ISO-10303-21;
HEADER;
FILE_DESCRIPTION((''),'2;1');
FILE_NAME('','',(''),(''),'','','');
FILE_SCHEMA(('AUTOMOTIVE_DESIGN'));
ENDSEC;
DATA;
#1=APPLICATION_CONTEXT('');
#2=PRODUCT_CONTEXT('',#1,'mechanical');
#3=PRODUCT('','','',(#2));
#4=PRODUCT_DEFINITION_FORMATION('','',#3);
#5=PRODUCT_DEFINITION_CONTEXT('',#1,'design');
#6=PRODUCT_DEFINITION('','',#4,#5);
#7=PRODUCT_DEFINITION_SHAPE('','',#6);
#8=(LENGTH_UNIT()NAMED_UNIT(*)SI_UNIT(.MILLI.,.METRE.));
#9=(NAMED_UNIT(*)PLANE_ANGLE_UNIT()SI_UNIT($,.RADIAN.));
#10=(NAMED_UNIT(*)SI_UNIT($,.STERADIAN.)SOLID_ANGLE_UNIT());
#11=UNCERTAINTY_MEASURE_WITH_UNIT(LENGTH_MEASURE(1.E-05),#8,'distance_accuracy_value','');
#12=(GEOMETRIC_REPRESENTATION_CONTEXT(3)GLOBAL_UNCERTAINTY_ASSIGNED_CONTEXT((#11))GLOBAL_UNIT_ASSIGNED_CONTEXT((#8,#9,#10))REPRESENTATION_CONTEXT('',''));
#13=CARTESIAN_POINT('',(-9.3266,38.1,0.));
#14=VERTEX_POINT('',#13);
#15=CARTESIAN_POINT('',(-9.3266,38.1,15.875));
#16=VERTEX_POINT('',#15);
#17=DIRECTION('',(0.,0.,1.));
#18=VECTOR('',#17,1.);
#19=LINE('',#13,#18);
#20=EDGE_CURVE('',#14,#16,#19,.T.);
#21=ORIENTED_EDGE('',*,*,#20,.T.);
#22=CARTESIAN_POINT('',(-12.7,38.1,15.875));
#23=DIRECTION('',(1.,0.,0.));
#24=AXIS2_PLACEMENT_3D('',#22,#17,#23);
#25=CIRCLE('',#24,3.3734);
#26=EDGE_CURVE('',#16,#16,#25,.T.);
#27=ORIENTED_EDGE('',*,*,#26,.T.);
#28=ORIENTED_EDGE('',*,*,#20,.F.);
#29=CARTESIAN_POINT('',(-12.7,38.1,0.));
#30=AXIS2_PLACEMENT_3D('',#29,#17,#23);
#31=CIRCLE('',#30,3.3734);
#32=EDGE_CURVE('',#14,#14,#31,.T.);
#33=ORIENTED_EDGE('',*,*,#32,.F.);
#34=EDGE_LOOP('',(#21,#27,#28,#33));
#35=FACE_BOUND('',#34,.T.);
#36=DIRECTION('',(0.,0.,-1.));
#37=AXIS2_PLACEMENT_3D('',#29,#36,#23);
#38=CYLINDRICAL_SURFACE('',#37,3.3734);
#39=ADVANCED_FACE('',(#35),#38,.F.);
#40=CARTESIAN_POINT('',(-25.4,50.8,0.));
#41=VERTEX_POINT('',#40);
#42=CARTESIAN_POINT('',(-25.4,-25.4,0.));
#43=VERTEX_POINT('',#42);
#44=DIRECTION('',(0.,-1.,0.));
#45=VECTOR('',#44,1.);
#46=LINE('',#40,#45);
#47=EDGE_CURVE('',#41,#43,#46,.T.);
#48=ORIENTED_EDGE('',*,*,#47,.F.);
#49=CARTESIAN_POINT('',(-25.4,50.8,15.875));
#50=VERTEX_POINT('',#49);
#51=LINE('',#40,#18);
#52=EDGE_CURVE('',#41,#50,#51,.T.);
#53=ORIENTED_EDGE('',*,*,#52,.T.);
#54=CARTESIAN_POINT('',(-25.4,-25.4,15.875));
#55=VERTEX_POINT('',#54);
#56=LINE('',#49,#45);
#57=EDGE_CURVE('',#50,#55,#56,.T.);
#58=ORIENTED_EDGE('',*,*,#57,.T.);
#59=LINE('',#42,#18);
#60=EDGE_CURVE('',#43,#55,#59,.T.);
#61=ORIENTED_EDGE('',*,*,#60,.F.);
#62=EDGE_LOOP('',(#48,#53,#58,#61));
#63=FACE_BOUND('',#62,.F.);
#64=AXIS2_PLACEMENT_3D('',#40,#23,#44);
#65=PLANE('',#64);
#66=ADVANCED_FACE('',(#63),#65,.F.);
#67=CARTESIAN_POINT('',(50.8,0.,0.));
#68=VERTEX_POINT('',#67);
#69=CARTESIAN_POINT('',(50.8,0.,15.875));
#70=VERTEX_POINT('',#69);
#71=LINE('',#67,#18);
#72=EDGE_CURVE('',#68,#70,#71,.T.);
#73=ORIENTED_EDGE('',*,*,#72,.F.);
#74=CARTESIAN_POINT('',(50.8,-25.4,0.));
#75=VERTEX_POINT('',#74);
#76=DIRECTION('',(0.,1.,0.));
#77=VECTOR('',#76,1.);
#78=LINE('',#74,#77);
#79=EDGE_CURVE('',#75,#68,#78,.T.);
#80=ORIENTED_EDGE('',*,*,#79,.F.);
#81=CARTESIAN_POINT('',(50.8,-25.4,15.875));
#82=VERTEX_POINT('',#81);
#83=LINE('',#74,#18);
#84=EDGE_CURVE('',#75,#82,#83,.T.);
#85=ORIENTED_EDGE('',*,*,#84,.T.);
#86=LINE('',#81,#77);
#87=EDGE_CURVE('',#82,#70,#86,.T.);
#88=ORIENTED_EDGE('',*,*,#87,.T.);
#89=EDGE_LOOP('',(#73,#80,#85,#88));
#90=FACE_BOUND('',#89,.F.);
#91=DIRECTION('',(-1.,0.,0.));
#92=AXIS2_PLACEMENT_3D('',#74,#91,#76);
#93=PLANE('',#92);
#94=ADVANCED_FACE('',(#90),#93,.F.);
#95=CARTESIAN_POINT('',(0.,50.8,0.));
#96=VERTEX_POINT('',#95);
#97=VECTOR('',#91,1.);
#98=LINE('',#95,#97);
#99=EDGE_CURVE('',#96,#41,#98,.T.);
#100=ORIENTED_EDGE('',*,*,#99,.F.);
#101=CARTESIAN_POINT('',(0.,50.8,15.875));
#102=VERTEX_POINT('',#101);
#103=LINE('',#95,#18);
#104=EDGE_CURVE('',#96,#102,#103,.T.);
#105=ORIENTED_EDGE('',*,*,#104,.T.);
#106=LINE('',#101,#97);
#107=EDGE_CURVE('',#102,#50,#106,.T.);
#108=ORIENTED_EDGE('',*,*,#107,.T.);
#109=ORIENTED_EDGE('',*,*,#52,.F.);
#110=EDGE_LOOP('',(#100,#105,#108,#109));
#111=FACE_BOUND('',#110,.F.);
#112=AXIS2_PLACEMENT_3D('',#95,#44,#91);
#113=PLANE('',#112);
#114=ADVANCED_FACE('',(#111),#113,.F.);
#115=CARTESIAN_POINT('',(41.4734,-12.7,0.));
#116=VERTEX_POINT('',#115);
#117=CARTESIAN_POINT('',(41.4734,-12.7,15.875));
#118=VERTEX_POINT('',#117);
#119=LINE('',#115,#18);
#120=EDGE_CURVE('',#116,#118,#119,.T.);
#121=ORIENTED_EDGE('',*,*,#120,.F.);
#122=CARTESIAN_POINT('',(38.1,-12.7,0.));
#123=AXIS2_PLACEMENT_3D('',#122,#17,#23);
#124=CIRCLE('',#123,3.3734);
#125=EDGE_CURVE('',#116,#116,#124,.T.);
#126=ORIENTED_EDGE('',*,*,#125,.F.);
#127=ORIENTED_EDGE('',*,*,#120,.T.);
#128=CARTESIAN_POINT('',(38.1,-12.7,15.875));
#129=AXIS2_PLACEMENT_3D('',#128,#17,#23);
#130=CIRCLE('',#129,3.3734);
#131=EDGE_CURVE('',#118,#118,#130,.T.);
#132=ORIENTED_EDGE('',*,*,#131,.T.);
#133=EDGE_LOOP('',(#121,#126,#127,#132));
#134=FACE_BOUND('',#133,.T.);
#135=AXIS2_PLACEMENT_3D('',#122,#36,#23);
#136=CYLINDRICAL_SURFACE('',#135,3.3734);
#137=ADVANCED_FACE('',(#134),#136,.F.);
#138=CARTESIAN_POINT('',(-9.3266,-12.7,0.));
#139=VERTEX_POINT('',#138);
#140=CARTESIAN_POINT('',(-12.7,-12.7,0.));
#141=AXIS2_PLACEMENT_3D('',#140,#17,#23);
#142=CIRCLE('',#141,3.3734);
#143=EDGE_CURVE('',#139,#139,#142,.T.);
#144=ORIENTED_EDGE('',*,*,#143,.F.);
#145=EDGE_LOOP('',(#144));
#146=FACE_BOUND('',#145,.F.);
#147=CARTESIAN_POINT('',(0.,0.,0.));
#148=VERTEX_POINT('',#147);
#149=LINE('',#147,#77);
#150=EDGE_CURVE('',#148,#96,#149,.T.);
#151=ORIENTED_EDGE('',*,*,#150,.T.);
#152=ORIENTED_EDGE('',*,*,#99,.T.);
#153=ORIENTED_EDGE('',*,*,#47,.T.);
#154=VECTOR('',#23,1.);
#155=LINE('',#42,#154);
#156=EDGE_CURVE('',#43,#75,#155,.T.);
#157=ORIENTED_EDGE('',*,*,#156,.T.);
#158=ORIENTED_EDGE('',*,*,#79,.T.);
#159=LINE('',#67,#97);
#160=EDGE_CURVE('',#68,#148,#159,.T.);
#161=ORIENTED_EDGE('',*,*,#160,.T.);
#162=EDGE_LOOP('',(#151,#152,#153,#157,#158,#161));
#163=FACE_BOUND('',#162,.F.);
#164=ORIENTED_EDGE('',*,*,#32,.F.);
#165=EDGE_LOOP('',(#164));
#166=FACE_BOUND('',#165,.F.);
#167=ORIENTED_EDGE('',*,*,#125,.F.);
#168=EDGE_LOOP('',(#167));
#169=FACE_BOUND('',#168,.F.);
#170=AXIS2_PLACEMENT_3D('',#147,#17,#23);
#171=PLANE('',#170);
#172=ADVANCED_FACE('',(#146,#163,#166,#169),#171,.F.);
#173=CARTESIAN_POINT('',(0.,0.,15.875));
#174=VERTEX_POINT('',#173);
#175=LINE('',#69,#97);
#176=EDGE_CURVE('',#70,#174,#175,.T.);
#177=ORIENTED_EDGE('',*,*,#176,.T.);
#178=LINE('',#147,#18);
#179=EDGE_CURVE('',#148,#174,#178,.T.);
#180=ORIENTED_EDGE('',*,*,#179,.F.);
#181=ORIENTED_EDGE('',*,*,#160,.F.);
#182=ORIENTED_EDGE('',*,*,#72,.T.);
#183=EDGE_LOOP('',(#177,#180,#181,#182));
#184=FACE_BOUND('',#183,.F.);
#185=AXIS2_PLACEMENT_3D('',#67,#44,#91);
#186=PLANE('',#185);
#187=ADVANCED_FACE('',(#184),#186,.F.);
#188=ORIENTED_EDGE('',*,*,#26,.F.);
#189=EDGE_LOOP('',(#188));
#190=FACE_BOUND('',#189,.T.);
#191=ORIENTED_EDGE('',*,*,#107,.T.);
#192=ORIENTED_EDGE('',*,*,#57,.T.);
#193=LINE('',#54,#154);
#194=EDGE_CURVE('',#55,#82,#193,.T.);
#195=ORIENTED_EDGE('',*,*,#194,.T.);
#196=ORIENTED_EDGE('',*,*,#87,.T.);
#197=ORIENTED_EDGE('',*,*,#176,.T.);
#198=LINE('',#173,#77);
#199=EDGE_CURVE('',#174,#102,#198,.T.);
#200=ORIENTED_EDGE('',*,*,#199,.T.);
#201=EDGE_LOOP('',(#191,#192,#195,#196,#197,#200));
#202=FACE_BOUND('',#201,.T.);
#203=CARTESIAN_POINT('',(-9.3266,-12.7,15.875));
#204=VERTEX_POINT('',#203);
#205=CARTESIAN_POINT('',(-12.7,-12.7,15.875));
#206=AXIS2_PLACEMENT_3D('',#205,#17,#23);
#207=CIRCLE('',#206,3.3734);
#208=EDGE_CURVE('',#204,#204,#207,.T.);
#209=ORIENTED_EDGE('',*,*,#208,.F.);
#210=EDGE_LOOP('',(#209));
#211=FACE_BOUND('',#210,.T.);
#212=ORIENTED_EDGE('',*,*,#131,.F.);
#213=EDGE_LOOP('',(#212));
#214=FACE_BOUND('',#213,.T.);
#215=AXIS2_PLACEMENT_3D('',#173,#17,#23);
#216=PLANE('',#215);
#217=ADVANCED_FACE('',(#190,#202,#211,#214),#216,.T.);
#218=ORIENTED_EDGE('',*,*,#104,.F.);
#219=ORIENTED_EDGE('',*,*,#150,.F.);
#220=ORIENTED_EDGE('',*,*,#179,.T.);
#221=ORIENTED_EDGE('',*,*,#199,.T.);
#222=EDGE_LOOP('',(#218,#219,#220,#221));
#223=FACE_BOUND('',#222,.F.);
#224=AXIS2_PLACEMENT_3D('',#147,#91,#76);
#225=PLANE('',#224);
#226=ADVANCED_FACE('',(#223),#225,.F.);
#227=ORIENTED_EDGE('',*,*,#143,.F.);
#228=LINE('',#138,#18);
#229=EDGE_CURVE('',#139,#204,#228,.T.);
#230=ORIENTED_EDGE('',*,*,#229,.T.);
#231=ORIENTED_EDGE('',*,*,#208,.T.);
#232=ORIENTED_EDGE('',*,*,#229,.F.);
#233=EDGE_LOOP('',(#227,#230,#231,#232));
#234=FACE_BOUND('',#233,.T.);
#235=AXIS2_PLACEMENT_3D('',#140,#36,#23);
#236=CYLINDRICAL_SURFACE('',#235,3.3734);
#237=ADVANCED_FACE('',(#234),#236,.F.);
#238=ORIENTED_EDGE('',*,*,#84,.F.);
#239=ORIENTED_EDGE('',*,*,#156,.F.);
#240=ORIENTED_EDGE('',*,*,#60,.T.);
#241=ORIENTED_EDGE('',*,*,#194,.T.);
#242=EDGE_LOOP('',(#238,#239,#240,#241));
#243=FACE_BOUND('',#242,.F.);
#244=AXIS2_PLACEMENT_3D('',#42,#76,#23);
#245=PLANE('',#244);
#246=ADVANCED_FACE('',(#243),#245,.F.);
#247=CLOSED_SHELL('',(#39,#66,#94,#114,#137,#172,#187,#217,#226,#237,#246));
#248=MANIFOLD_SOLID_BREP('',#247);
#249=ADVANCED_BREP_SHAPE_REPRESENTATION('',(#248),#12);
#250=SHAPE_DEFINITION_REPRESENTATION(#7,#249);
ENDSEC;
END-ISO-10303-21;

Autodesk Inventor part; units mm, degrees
ref_plane "YZ Plane" through (0, 0, 0) normal (1, 0, 0) x (0, 1, 0)
ref_plane "XZ Plane" through (0, 0, 0) normal (0, 1, 0) x (-1, 0, 0)
ref_plane "XY Plane" through (0, 0, 0) normal (0, 0, 1) x (1, 0, 0)
sketch "Sketch1" plane through (0, 0, 0) normal (0, 0, 1) x (1, 0, 0)
  line L0 (-25.4, 50.8) -> (-25.4, -25.4)
  line L1 (-25.4, -25.4) -> (50.8, -25.4)
  line L2 (50.8, -25.4) -> (50.8, 0)
  line L3 (50.8, 0) -> (0, 0)
  line L4 (0, 0) -> (0, 50.8)
  line L5 (0, 50.8) -> (-25.4, 50.8)
  circle A0 centre (38.1, -12.7) radius 3.3734
  circle A1 centre (-12.7, -12.7) radius 3.3734
  circle A2 centre (-12.7, 38.1) radius 3.3734
  dimension "d0" = 76.2
  dimension "d1" = 76.2
  dimension "d2" = 50.8
  dimension "d3" = 25.4
  dimension "d4" = 6.7469
  dimension "d5" = 6.7469
  dimension "d6" = 6.7469
  dimension "d7" = 12.7
  dimension "d8" = 12.7
  dimension "d9" = 12.7
  dimension "d10" = 12.7
  dimension "d11" = 12.7
  dimension "d12" = 12.7
extrude "Extrusion1" add sketch "Sketch1" along normal blind 15.875
properties part number "battery corner" material "ABS Plastic"
